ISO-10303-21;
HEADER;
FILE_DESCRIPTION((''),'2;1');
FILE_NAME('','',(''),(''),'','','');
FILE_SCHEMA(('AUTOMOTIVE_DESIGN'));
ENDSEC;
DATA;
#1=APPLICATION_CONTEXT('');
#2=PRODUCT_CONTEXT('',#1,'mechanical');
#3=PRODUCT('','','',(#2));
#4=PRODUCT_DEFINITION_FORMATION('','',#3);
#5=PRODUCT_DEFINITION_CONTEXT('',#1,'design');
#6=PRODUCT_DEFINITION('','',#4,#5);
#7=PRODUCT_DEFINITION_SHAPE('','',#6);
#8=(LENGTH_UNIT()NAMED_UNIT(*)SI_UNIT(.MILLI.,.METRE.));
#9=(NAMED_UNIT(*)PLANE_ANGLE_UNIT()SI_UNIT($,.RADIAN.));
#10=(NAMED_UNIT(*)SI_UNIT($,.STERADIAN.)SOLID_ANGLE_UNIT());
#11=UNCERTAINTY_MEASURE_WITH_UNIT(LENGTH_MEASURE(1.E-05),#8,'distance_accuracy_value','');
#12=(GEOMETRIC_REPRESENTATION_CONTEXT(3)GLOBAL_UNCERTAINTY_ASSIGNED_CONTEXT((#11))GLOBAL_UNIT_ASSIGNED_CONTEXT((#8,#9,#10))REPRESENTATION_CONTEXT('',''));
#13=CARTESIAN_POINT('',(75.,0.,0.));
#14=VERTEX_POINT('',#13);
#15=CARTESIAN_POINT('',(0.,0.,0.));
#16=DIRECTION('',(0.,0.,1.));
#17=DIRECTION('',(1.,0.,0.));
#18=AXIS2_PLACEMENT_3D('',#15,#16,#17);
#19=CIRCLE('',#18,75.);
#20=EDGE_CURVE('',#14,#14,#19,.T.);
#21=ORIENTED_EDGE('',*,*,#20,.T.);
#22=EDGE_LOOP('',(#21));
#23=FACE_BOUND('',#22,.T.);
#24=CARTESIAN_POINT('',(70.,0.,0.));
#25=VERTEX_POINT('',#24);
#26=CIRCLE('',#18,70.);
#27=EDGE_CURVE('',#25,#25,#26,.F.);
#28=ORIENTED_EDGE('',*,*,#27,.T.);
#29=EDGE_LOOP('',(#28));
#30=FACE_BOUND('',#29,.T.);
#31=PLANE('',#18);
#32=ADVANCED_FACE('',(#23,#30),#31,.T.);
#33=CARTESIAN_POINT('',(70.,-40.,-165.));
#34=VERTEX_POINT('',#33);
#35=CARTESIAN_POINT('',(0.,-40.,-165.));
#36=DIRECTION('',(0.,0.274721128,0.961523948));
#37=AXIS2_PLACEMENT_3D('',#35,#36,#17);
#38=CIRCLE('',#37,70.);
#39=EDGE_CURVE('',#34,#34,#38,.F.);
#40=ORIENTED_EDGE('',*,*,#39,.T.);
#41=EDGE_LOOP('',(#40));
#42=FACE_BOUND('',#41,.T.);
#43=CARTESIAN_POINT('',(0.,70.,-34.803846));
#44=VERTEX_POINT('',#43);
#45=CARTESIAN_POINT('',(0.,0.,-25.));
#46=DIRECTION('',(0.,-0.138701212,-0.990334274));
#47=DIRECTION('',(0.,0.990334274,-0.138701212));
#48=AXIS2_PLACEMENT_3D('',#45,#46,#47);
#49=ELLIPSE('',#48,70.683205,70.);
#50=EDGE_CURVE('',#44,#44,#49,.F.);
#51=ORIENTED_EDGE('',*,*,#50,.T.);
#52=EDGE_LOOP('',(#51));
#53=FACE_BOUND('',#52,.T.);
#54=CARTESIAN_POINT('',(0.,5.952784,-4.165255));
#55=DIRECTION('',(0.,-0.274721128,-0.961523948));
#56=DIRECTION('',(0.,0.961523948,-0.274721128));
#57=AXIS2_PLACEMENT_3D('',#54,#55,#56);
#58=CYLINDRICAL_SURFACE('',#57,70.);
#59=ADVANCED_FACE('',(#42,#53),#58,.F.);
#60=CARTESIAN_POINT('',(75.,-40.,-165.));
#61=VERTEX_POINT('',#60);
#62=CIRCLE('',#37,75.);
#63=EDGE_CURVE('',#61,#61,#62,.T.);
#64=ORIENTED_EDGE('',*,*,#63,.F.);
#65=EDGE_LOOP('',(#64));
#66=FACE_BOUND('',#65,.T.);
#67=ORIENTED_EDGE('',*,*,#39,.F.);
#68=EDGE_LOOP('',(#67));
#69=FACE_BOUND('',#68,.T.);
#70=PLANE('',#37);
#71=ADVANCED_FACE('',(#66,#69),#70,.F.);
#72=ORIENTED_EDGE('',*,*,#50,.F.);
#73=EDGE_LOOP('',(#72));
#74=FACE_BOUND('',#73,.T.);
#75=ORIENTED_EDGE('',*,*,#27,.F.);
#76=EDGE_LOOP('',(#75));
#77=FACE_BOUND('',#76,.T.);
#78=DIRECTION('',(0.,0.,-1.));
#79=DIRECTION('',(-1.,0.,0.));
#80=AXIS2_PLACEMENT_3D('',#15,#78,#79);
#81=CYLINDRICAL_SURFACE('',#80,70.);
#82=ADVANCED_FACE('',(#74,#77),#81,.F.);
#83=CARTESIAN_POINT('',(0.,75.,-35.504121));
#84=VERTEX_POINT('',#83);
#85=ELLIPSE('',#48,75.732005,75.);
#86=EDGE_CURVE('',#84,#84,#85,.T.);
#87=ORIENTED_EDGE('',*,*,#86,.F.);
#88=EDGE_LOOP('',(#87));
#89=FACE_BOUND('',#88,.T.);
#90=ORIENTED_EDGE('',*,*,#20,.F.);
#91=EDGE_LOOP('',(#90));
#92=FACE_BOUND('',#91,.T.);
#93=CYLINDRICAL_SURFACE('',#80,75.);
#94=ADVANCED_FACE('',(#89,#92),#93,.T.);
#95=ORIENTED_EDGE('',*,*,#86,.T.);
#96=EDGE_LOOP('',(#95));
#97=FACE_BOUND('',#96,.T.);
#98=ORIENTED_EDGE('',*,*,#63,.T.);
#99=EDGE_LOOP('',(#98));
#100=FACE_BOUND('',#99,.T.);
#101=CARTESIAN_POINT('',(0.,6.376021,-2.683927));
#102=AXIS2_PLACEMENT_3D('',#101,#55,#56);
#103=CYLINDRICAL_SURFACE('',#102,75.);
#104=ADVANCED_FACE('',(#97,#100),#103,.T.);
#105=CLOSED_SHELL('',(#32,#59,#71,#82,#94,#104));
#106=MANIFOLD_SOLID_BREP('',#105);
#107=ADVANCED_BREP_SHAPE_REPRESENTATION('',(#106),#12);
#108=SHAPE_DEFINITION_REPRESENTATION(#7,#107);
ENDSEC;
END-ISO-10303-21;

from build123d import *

# Parameters (mm, degrees)
SKETCH1_R   = 75
SKETCH1_R_2 = 70


with BuildPart() as part:
    # Sweep1: sweep along a path in Sketch2
    with BuildLine(Plane(origin=(0, 0, 0), x_dir=(0, 0, -1), z_dir=(1, 0, 0))) as sweep1_path:
        Line((0, 0), (25, 0))
        Line((25, 0), (165, -40))
    # Sketch1 → Sweep1 (sweep)
    with BuildSketch(Plane.XY):
        Circle(SKETCH1_R)
        Circle(SKETCH1_R_2, mode=Mode.SUBTRACT)
    sweep(path=sweep1_path.line, transition=Transition.RIGHT)


solid = part.part
